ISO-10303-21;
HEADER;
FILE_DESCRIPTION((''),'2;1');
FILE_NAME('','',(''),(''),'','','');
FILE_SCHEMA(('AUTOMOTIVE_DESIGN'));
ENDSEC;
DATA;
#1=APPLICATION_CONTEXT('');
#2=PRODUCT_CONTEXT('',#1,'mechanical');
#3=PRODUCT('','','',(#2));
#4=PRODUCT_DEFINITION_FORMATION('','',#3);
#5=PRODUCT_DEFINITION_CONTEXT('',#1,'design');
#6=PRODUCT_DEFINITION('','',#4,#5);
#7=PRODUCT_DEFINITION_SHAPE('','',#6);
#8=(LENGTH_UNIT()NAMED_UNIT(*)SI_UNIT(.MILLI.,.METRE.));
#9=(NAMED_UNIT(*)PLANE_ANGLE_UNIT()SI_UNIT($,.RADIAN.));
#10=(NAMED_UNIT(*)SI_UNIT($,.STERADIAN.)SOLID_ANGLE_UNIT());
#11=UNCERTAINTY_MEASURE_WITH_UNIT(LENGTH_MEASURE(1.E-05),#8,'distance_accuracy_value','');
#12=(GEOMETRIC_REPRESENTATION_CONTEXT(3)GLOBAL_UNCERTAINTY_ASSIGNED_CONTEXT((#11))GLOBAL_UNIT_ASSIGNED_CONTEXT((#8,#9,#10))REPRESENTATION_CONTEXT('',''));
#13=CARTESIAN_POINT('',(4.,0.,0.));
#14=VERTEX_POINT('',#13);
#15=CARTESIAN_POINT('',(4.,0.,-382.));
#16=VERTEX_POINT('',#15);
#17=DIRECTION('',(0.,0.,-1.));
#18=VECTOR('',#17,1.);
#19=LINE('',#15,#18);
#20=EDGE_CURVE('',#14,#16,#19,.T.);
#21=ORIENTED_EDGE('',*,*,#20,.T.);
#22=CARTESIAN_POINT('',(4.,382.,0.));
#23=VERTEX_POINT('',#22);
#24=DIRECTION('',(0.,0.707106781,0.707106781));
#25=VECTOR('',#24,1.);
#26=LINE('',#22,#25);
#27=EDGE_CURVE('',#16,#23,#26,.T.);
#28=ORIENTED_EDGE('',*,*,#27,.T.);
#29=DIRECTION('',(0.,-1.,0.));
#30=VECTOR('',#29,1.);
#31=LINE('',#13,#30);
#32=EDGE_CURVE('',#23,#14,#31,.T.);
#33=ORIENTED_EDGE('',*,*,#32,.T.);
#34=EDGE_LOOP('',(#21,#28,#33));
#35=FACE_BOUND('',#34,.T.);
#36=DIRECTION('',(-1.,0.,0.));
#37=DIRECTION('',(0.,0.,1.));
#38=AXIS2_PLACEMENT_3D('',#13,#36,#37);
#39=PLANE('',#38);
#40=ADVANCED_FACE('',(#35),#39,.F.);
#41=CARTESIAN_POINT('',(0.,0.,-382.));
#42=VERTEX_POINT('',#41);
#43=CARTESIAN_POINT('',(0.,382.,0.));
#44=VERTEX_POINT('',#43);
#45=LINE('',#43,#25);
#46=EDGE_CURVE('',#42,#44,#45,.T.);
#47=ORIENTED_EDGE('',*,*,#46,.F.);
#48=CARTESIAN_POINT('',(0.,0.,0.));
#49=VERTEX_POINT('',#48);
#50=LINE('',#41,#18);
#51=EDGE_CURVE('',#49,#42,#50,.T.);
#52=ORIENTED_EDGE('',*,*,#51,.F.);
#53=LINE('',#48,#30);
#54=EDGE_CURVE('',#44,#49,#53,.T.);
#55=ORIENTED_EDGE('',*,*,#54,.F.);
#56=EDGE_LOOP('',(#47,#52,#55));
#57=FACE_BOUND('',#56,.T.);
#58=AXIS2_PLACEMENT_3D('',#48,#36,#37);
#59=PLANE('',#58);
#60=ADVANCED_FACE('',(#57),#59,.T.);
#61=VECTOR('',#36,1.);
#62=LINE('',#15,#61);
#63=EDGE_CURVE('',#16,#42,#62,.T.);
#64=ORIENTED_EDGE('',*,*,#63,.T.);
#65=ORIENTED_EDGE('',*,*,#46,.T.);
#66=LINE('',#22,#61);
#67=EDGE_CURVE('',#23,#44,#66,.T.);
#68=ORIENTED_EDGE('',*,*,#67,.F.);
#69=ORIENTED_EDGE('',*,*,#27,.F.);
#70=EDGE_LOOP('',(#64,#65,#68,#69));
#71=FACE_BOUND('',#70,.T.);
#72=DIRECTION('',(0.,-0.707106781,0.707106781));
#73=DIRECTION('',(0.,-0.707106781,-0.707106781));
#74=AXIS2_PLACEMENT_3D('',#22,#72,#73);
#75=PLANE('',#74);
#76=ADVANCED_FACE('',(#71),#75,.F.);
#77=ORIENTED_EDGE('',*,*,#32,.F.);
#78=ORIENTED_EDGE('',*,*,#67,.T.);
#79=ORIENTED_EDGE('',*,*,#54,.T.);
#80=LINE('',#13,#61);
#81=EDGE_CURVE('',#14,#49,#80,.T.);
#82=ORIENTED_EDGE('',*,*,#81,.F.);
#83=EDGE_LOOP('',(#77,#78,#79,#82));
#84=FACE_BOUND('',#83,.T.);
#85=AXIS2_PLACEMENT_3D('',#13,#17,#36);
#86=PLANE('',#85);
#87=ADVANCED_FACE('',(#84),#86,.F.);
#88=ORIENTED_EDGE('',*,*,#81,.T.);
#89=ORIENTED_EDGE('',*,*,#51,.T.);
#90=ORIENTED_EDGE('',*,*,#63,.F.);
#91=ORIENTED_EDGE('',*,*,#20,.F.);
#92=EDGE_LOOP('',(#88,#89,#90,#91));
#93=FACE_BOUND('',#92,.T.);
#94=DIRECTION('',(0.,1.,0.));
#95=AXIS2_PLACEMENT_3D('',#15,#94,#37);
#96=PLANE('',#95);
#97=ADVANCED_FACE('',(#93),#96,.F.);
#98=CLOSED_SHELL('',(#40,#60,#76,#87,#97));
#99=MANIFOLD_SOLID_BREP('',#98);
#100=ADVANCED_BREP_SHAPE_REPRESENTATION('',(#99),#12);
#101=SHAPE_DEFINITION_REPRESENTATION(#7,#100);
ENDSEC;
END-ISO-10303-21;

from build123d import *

# Parameters (mm, degrees)
BOSS_EXTRU_1_DEPTH = 4


with BuildPart() as part:
    # Esquisse1 → Boss.-Extru.1 (new body)
    with BuildSketch(Plane(origin=(0, 0, 0), x_dir=(0, 0, -1), z_dir=(1, 0, 0))):
        Polygon((0, 0), (0, 382), (382, 0), align=None)
    extrude(amount=BOSS_EXTRU_1_DEPTH)


solid = part.part
